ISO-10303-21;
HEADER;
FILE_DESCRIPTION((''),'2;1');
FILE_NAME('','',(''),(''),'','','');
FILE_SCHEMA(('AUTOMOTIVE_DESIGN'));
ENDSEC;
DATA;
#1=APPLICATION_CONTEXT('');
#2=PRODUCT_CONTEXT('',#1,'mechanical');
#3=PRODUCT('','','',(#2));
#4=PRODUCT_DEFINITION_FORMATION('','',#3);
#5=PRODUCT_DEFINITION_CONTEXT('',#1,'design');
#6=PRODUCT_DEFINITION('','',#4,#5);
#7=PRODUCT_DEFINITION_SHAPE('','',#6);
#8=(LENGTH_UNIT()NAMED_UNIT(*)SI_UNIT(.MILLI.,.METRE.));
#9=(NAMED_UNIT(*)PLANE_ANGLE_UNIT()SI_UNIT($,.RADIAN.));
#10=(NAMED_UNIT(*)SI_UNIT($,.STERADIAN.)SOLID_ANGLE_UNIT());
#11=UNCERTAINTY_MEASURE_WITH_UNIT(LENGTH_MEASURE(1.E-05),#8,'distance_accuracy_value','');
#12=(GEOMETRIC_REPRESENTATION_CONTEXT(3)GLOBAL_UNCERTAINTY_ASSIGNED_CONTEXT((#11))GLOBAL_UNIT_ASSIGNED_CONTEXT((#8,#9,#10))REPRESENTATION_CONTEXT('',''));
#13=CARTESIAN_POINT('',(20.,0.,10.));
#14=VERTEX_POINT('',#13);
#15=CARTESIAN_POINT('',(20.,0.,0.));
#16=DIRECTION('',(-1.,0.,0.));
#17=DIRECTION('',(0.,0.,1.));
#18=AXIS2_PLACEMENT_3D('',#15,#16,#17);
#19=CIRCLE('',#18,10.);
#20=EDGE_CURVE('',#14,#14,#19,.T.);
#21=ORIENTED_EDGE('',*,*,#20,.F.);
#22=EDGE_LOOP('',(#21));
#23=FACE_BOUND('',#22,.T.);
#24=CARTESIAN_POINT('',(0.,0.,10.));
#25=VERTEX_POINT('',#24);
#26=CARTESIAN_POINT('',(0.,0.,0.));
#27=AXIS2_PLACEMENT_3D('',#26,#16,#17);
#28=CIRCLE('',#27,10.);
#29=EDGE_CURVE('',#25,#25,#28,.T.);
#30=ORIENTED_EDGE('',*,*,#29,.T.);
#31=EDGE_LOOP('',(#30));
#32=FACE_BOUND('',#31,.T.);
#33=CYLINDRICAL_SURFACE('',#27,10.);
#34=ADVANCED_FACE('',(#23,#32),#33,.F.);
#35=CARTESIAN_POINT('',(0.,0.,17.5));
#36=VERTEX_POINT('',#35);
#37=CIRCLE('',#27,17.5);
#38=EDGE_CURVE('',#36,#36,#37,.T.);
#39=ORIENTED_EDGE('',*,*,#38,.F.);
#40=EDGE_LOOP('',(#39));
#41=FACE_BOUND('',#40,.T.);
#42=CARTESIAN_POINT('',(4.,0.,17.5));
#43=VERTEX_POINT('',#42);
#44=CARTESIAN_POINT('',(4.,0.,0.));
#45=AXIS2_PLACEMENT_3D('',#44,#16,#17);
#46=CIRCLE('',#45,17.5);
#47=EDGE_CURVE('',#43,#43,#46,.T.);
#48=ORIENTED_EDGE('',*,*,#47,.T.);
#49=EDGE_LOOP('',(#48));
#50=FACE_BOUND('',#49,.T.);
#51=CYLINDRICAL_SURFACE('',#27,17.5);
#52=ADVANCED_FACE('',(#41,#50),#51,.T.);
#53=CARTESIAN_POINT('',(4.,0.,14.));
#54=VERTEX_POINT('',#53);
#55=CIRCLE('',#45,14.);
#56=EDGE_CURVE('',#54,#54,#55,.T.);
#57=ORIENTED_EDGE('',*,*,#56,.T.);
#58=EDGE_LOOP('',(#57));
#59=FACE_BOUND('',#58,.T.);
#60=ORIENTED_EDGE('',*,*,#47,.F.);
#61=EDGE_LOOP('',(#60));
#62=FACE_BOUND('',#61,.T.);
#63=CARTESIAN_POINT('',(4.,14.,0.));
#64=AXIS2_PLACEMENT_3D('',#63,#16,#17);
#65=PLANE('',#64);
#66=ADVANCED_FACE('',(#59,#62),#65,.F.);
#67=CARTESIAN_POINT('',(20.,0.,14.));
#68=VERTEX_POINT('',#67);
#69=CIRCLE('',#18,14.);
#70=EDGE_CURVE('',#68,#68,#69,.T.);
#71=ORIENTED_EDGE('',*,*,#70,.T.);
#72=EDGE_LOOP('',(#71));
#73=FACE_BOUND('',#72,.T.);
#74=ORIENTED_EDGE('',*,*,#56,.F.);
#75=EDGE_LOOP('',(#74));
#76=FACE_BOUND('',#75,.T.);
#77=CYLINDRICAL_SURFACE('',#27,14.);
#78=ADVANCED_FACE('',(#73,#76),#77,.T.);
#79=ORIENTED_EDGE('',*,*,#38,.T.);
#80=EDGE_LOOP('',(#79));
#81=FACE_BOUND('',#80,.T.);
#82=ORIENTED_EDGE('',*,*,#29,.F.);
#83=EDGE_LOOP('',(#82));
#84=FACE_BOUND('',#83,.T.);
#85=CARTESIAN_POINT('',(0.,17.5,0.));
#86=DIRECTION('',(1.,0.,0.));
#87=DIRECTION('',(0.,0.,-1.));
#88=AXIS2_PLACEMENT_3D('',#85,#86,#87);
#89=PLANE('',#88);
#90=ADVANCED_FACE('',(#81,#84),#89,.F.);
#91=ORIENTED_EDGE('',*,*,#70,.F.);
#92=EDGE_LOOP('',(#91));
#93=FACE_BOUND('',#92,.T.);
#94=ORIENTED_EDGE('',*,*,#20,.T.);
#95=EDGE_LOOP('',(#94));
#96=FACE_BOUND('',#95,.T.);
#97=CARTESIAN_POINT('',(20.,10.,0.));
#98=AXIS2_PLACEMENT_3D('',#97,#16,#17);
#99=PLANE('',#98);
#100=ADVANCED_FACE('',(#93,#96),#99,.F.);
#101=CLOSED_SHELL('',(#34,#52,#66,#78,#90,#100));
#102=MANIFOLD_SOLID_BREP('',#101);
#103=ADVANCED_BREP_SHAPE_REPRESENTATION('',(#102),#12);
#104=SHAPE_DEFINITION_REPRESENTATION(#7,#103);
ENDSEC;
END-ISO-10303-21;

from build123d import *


with BuildPart() as part:
    # Sketch1 → Revolve1 (revolve)
    with BuildSketch(Plane.XY, mode=Mode.PRIVATE) as revolve1_sk:
        Polygon((0, 10), (20, 10), (20, 14), (4, 14), (4, 17.5), (0, 17.5), align=None)
    revolve(revolve1_sk.sketch.rotate(Axis((0, 0, 0), (1, 0, 0)), 90), axis=Axis((0, 0, 0), (1, 0, 0)))


solid = part.part
